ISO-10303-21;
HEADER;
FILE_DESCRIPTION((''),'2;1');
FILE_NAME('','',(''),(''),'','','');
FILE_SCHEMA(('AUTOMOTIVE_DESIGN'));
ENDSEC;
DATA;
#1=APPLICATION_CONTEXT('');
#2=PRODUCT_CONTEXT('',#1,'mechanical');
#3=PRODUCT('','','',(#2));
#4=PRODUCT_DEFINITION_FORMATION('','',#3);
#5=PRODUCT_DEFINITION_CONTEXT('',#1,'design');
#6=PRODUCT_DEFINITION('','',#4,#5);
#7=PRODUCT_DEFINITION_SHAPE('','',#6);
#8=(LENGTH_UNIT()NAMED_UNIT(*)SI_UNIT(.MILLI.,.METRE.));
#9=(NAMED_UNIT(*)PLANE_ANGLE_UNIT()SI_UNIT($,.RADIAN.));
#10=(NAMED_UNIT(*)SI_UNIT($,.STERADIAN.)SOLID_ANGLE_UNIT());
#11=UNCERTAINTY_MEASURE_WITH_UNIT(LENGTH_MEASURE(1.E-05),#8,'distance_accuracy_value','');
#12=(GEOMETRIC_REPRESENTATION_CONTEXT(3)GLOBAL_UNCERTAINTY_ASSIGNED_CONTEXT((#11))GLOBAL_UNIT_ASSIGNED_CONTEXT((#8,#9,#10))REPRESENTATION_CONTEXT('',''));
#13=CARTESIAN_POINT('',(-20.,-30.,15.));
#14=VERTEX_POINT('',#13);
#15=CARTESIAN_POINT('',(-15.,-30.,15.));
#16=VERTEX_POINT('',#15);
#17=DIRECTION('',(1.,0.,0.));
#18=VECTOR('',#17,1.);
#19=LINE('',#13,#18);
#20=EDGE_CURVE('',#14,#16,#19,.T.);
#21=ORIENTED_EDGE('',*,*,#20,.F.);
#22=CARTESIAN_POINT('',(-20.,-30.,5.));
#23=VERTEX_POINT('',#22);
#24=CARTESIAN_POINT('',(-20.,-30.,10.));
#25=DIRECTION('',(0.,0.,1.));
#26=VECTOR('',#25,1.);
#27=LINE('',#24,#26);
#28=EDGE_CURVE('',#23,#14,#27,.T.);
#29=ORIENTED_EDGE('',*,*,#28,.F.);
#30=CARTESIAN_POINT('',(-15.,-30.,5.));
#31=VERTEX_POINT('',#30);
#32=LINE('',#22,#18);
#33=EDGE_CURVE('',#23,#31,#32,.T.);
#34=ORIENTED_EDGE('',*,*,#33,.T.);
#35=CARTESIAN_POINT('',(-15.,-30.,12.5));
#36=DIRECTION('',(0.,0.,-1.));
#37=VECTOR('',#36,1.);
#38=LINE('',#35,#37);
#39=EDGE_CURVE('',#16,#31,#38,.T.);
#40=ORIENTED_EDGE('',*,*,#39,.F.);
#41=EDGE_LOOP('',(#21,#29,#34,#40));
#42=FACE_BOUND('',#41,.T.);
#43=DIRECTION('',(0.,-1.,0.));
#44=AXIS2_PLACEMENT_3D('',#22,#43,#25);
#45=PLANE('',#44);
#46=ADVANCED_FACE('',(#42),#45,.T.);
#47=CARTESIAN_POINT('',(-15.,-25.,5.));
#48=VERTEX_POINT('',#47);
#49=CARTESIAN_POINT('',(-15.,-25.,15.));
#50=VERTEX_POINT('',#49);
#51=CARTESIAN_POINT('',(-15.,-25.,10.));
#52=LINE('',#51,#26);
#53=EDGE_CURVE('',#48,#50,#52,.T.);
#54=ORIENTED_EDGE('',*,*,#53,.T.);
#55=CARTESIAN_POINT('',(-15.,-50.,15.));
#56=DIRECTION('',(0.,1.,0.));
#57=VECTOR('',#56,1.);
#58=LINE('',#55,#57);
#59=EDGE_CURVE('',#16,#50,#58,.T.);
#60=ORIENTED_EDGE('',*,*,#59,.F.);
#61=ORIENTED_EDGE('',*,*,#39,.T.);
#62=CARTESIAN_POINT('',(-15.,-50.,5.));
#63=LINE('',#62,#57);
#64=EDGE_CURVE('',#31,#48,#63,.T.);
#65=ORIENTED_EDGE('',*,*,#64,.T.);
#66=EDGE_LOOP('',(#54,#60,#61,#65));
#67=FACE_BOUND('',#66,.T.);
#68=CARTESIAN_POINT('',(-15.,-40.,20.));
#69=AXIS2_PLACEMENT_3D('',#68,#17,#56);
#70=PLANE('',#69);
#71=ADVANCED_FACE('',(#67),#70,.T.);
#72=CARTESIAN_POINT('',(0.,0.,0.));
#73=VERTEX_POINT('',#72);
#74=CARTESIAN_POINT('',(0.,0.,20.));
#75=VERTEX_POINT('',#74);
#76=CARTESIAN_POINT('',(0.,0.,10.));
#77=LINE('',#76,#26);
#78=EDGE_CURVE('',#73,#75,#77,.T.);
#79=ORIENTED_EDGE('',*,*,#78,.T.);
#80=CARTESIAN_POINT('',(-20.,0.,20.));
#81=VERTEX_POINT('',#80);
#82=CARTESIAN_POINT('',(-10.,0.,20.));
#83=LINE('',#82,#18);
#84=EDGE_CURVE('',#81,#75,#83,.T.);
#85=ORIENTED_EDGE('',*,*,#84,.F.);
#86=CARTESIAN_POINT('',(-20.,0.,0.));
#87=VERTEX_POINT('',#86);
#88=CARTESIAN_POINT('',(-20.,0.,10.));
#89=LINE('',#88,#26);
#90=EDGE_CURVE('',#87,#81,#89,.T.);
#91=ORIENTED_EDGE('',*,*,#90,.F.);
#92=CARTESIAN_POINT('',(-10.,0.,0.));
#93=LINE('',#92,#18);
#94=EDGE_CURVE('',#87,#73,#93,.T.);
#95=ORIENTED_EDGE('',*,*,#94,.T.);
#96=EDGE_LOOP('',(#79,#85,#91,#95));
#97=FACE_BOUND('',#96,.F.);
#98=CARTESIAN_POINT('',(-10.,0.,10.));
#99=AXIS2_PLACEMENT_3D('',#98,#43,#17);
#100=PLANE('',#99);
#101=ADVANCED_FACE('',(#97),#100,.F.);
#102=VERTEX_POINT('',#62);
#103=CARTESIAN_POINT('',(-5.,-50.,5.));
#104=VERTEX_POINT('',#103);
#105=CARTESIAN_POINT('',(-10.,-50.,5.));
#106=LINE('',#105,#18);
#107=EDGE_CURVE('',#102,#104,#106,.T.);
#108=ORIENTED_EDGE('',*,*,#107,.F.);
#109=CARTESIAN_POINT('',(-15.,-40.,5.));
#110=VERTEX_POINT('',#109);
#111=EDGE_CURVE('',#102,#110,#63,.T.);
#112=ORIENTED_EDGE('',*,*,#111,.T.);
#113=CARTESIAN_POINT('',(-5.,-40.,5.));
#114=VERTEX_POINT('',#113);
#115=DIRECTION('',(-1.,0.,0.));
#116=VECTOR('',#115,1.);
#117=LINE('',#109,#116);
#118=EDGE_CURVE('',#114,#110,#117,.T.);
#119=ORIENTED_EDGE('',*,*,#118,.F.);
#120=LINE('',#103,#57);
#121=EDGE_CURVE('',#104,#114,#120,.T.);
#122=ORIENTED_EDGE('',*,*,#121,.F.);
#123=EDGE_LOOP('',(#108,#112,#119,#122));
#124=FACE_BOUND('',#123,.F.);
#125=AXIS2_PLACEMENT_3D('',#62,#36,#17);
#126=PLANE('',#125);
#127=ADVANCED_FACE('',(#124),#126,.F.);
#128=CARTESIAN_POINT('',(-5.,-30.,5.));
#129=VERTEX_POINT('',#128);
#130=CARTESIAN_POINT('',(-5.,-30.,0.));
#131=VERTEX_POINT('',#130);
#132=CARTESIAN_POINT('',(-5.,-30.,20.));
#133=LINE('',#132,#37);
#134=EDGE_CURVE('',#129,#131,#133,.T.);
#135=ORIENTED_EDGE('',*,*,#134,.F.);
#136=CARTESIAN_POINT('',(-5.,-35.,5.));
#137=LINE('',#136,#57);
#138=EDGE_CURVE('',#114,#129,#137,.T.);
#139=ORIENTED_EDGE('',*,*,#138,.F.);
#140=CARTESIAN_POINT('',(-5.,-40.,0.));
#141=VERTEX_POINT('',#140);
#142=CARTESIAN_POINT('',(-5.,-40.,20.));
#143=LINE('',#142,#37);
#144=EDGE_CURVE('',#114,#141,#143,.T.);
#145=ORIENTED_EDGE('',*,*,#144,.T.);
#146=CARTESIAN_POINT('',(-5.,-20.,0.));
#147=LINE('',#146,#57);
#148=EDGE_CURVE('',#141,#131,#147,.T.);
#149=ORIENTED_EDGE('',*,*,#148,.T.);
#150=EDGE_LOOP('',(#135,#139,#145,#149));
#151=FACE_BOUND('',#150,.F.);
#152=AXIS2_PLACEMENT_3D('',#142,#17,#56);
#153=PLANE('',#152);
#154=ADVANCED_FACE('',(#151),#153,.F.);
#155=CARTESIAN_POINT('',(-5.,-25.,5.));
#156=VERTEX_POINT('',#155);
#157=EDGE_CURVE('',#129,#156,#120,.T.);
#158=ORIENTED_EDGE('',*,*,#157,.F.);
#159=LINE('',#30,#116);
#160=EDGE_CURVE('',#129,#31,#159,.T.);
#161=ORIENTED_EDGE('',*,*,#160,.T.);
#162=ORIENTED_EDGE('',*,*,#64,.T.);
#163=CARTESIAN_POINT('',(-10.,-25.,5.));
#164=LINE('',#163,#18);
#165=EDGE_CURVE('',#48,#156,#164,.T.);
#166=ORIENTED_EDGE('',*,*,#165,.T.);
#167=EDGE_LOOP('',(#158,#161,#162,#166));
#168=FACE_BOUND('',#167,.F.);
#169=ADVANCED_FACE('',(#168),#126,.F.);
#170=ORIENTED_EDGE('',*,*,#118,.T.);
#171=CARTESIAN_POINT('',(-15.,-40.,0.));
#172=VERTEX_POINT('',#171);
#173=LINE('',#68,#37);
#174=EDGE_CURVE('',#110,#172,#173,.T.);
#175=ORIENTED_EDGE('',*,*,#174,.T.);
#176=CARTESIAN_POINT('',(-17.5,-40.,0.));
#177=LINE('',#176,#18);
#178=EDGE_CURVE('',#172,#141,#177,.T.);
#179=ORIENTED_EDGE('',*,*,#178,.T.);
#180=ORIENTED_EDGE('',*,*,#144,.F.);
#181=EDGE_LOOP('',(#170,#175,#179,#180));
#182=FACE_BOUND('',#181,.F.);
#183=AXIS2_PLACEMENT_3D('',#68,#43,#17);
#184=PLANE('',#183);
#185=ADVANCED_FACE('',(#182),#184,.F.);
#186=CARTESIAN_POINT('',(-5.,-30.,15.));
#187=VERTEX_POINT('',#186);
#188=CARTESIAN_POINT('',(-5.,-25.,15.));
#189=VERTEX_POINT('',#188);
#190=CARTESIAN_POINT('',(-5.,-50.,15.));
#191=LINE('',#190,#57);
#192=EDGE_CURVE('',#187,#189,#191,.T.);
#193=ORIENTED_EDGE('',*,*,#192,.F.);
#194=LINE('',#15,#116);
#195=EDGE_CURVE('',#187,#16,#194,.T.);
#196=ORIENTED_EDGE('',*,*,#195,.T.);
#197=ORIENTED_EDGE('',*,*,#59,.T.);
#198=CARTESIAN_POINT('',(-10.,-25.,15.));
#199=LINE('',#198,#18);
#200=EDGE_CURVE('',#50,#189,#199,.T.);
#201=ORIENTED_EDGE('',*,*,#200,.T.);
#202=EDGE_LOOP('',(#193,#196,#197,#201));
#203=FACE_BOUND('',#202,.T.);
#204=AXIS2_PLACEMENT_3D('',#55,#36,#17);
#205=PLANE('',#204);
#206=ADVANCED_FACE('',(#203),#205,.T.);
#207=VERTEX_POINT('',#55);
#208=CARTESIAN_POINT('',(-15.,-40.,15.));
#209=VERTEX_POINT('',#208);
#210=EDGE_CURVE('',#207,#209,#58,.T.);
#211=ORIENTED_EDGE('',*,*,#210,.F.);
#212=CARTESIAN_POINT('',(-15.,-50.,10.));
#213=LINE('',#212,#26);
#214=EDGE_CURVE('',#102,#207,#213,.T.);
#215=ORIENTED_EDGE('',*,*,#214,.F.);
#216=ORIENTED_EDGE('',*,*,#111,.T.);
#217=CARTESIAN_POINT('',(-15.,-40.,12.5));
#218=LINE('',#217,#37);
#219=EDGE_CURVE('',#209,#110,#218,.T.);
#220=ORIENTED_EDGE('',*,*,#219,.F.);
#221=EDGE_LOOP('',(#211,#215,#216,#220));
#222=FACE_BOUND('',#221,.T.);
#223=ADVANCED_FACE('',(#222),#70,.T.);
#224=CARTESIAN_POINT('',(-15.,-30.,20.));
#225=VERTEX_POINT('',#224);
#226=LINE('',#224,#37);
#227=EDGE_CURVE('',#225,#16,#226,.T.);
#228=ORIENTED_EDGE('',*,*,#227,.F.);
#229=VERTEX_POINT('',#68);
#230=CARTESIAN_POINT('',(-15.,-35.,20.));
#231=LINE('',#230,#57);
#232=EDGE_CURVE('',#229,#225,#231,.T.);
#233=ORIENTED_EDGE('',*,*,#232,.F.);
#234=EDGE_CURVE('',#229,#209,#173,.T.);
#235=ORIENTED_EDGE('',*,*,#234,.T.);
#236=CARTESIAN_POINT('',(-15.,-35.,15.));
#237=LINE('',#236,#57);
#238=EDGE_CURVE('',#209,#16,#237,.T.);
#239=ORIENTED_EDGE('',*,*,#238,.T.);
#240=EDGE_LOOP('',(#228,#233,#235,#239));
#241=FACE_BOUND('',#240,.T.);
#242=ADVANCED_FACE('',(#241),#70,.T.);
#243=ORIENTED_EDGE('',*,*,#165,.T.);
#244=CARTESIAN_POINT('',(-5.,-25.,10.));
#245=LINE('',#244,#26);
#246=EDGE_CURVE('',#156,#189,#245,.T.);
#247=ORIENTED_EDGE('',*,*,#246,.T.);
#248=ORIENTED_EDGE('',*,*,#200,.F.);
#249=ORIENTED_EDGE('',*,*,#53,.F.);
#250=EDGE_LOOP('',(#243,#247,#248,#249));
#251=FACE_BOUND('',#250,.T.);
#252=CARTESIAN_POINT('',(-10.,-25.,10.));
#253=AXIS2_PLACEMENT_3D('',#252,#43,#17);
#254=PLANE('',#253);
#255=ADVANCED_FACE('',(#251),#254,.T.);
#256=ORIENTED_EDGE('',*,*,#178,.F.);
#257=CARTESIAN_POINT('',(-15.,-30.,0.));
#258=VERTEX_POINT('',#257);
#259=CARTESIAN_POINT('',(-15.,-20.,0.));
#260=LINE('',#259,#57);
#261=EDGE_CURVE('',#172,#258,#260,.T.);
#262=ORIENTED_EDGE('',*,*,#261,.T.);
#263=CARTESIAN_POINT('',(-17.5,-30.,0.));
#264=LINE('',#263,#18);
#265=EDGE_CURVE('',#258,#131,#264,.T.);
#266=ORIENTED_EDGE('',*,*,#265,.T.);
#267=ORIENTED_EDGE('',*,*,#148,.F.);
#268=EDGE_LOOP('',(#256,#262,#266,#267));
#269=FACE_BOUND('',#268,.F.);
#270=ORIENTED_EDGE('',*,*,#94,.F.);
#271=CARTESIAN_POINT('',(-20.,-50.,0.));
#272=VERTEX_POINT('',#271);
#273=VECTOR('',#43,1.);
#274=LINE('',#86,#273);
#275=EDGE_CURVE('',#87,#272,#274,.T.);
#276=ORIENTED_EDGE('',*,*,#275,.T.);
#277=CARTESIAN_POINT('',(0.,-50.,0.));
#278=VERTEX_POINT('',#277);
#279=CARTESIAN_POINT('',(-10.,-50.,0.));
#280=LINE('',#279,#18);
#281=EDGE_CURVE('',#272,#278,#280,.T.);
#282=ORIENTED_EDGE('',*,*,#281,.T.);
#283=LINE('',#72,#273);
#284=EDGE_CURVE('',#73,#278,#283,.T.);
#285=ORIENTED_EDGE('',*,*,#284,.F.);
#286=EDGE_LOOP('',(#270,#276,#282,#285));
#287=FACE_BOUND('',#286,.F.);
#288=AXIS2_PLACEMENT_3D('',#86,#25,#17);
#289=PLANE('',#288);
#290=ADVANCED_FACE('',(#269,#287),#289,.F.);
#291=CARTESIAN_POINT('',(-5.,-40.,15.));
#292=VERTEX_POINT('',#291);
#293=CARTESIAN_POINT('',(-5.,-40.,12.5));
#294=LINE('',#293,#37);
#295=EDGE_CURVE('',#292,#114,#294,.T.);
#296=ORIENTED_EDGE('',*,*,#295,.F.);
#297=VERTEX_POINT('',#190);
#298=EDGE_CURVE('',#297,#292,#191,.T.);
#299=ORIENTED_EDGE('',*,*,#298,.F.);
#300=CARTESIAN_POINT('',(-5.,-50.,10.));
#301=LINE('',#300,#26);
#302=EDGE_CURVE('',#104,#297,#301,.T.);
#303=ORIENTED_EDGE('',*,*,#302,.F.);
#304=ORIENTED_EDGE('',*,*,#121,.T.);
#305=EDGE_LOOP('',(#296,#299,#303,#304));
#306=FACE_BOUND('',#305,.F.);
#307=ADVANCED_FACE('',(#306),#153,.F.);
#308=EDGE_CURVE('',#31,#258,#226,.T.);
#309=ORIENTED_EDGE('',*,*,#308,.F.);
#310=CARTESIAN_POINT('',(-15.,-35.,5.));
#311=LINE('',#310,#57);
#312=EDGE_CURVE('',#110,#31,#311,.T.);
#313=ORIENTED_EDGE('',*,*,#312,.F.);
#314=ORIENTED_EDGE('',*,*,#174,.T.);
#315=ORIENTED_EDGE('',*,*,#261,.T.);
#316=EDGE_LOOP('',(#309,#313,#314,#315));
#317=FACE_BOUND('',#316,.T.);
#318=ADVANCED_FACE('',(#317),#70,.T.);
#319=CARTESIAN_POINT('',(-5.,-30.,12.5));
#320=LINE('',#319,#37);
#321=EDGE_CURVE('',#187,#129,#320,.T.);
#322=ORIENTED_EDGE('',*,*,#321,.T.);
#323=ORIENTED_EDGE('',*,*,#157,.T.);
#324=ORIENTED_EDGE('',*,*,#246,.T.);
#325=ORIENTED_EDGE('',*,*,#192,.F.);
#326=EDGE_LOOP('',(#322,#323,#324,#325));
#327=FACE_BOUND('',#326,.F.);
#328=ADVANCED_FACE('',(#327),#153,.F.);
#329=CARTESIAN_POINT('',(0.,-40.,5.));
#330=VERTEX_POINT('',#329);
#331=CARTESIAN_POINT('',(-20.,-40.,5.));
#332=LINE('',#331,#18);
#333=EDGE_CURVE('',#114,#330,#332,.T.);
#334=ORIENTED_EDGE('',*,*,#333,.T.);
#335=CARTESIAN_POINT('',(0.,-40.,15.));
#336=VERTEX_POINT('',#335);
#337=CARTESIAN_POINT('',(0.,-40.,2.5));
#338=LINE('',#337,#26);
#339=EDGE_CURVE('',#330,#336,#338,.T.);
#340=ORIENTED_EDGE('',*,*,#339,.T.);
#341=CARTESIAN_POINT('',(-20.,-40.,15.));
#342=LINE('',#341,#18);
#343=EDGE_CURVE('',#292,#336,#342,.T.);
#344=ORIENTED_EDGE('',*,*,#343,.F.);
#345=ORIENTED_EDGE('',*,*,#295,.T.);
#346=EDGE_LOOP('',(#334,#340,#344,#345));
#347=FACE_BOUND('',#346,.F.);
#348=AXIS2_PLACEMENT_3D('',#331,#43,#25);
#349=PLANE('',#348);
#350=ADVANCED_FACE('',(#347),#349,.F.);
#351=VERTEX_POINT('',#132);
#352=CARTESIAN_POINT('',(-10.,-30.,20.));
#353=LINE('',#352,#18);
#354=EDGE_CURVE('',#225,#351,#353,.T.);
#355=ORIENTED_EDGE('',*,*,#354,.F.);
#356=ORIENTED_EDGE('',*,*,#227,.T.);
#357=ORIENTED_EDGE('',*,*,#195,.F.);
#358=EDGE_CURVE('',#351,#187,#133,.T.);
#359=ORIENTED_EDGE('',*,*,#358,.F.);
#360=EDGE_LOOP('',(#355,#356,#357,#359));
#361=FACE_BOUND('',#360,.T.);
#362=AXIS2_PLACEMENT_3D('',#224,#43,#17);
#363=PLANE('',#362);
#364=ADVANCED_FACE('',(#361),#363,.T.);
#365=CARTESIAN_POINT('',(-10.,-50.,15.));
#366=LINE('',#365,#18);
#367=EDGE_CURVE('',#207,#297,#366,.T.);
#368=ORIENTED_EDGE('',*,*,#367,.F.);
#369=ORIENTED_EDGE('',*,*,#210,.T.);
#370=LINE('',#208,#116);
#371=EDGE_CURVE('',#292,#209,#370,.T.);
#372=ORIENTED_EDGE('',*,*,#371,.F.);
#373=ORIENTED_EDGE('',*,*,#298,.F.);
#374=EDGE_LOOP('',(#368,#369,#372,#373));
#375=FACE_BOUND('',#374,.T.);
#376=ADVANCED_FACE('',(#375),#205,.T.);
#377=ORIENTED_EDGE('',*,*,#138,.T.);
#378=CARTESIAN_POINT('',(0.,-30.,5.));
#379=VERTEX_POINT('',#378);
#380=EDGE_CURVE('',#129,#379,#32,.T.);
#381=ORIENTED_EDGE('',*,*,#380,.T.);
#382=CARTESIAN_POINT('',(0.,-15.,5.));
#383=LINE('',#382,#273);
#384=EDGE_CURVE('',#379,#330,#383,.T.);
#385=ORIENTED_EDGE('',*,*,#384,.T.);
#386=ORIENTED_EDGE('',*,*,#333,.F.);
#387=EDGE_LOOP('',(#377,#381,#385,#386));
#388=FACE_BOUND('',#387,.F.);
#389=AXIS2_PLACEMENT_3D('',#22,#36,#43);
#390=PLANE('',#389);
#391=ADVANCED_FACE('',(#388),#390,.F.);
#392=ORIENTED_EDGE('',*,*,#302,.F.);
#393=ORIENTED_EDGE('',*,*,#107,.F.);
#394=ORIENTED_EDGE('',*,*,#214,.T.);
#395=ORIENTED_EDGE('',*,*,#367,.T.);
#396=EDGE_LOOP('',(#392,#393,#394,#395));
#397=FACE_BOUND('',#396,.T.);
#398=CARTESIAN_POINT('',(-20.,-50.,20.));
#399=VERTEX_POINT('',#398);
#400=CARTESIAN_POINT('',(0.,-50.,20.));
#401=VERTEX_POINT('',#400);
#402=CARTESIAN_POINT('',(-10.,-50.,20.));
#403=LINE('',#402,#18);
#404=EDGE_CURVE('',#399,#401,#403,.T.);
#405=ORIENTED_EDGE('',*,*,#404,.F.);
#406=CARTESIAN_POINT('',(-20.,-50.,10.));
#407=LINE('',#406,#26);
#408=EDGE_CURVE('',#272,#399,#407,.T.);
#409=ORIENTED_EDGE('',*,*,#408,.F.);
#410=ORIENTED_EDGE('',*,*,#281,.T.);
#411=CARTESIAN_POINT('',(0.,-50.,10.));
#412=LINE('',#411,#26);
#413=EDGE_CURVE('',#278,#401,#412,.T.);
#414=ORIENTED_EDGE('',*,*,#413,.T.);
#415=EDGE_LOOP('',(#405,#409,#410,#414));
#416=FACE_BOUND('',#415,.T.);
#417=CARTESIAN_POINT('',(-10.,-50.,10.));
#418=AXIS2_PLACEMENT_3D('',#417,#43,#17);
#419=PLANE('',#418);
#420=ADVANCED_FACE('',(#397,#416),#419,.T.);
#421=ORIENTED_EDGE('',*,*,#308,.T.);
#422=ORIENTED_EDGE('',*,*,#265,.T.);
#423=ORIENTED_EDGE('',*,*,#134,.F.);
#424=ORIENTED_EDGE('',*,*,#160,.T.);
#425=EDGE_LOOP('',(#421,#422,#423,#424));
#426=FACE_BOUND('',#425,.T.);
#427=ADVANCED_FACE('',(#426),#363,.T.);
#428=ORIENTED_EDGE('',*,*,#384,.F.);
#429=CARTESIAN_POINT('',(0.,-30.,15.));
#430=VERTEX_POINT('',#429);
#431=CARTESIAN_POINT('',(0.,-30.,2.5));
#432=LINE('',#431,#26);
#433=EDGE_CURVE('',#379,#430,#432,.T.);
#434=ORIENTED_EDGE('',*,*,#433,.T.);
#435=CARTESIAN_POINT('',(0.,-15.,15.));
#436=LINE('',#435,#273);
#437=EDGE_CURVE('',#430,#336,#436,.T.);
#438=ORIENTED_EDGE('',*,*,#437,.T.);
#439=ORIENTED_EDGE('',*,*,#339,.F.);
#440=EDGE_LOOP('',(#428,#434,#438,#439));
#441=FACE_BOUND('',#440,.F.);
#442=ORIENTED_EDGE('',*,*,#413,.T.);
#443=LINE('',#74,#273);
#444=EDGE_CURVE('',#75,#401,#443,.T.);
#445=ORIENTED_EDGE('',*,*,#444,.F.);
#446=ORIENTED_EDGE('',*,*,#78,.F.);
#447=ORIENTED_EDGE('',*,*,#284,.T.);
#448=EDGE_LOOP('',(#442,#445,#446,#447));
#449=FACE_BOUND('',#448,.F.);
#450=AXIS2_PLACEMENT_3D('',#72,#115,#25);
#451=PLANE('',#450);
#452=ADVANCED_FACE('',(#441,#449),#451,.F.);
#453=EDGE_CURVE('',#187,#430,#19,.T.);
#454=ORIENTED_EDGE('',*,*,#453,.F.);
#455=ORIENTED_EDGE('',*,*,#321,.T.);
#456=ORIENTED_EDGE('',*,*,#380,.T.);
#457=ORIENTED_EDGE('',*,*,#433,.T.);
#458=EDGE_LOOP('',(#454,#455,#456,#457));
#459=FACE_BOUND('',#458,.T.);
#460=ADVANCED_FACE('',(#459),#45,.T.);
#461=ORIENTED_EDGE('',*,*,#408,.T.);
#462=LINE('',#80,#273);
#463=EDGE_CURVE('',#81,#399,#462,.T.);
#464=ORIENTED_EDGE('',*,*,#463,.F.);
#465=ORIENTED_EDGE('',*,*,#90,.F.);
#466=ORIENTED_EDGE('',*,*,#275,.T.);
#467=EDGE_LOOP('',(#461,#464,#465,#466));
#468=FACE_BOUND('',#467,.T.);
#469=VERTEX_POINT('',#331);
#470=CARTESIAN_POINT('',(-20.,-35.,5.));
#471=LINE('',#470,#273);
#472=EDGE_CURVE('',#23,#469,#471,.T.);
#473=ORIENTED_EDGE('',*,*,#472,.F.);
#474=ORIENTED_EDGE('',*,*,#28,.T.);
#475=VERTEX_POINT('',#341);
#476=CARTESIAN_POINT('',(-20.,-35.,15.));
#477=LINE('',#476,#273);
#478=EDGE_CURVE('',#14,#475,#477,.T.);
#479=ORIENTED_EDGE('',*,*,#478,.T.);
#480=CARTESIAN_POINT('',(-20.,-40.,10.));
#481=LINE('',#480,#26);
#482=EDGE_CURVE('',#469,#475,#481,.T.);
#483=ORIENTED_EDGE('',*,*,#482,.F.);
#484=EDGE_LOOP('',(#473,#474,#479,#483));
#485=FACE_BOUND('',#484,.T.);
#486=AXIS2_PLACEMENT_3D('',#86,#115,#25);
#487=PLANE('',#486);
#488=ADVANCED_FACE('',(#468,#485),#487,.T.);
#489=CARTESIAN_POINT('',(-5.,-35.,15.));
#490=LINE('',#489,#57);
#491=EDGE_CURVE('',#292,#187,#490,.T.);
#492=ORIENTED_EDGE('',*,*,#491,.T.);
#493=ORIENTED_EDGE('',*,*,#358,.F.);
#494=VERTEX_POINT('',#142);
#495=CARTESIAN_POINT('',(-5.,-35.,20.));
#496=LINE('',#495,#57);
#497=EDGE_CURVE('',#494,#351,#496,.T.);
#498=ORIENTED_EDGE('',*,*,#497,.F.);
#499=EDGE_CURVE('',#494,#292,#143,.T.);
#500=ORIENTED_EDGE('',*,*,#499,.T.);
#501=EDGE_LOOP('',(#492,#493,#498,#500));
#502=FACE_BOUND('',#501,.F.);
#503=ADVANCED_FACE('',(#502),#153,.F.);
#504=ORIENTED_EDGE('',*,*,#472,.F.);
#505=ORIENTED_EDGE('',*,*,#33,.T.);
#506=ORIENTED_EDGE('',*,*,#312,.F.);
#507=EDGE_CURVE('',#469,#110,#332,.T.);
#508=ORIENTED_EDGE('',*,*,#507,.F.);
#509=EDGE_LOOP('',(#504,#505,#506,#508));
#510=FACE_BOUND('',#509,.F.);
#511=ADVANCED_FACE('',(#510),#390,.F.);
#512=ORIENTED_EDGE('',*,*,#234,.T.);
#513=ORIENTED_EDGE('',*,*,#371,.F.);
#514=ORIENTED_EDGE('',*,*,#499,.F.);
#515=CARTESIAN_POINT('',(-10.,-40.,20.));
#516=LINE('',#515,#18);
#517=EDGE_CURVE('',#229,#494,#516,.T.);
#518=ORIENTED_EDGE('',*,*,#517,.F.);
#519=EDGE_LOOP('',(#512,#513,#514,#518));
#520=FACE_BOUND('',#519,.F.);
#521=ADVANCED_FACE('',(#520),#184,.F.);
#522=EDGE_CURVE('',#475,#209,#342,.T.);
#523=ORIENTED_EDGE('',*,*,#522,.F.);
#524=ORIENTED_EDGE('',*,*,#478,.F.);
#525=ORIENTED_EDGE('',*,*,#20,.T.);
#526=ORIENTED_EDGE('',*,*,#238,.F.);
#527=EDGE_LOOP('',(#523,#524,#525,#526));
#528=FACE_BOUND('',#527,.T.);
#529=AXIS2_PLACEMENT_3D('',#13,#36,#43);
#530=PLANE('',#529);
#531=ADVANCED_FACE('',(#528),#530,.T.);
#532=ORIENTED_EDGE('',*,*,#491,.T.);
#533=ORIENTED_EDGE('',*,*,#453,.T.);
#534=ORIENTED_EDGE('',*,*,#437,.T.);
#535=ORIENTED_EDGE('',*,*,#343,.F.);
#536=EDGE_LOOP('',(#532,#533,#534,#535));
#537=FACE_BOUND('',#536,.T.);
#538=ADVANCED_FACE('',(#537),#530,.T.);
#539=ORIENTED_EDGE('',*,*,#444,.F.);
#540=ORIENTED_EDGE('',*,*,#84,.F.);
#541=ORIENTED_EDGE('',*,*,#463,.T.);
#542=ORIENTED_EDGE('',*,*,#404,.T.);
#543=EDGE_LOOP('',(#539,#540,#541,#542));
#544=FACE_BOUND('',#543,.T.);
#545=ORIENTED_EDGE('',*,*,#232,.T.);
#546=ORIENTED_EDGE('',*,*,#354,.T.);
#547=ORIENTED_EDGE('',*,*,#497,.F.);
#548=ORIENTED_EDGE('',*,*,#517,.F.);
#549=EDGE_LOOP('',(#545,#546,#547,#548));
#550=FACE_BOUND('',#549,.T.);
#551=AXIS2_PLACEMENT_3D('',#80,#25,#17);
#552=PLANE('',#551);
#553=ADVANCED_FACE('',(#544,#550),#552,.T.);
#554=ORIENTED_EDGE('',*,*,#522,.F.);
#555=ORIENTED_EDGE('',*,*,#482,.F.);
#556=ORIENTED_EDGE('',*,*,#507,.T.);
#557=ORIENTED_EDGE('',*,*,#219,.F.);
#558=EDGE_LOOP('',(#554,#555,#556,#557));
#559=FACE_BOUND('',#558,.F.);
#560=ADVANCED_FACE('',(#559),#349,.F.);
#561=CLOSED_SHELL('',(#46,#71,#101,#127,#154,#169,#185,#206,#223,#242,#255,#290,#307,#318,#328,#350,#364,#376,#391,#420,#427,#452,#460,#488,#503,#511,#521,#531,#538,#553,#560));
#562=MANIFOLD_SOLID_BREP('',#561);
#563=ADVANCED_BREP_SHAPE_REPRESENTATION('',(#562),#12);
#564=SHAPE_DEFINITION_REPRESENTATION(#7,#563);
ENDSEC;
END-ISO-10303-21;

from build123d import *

# Parameters (mm, degrees)
F0_W     = 20
F0_H     = 20
F1_DEPTH = 50
F2_W     = 10
F2_H     = 10
F3_DEPTH = 25
F4_W     = 10
F4_H     = 10
F5_DEPTH = 25
F6_W     = 10
F6_H     = 10
F7_DEPTH = 25


with BuildPart() as f1:
    # F0 (on Front) → F1 (new body)
    with BuildSketch(Plane.XZ):
        with Locations((-10, 10)):
            Rectangle(F0_W, F0_H)
    extrude(amount=F1_DEPTH)

    # F2 (on face) → F3 (cut)
    with BuildSketch(Plane.XZ.offset(50)):
        with Locations((-10, 10)):
            Rectangle(F2_W, F2_H)
    extrude(amount=-F3_DEPTH, mode=Mode.SUBTRACT)

    # F4 (on face) → F5 (cut)
    with BuildSketch(Plane.XY.offset(20)):
        with Locations((-10, -35)):
            Rectangle(F4_W, F4_H)
    extrude(amount=-F5_DEPTH, mode=Mode.SUBTRACT)

    # F6 (on face) → F7 (cut)
    with BuildSketch(Plane(origin=(-20, 0, 0), x_dir=(0, -1, 0), z_dir=(-1, 0, 0))):
        with Locations((35, 10)):
            Rectangle(F6_W, F6_H)
    extrude(amount=-F7_DEPTH, mode=Mode.SUBTRACT)


solid = f1.part
